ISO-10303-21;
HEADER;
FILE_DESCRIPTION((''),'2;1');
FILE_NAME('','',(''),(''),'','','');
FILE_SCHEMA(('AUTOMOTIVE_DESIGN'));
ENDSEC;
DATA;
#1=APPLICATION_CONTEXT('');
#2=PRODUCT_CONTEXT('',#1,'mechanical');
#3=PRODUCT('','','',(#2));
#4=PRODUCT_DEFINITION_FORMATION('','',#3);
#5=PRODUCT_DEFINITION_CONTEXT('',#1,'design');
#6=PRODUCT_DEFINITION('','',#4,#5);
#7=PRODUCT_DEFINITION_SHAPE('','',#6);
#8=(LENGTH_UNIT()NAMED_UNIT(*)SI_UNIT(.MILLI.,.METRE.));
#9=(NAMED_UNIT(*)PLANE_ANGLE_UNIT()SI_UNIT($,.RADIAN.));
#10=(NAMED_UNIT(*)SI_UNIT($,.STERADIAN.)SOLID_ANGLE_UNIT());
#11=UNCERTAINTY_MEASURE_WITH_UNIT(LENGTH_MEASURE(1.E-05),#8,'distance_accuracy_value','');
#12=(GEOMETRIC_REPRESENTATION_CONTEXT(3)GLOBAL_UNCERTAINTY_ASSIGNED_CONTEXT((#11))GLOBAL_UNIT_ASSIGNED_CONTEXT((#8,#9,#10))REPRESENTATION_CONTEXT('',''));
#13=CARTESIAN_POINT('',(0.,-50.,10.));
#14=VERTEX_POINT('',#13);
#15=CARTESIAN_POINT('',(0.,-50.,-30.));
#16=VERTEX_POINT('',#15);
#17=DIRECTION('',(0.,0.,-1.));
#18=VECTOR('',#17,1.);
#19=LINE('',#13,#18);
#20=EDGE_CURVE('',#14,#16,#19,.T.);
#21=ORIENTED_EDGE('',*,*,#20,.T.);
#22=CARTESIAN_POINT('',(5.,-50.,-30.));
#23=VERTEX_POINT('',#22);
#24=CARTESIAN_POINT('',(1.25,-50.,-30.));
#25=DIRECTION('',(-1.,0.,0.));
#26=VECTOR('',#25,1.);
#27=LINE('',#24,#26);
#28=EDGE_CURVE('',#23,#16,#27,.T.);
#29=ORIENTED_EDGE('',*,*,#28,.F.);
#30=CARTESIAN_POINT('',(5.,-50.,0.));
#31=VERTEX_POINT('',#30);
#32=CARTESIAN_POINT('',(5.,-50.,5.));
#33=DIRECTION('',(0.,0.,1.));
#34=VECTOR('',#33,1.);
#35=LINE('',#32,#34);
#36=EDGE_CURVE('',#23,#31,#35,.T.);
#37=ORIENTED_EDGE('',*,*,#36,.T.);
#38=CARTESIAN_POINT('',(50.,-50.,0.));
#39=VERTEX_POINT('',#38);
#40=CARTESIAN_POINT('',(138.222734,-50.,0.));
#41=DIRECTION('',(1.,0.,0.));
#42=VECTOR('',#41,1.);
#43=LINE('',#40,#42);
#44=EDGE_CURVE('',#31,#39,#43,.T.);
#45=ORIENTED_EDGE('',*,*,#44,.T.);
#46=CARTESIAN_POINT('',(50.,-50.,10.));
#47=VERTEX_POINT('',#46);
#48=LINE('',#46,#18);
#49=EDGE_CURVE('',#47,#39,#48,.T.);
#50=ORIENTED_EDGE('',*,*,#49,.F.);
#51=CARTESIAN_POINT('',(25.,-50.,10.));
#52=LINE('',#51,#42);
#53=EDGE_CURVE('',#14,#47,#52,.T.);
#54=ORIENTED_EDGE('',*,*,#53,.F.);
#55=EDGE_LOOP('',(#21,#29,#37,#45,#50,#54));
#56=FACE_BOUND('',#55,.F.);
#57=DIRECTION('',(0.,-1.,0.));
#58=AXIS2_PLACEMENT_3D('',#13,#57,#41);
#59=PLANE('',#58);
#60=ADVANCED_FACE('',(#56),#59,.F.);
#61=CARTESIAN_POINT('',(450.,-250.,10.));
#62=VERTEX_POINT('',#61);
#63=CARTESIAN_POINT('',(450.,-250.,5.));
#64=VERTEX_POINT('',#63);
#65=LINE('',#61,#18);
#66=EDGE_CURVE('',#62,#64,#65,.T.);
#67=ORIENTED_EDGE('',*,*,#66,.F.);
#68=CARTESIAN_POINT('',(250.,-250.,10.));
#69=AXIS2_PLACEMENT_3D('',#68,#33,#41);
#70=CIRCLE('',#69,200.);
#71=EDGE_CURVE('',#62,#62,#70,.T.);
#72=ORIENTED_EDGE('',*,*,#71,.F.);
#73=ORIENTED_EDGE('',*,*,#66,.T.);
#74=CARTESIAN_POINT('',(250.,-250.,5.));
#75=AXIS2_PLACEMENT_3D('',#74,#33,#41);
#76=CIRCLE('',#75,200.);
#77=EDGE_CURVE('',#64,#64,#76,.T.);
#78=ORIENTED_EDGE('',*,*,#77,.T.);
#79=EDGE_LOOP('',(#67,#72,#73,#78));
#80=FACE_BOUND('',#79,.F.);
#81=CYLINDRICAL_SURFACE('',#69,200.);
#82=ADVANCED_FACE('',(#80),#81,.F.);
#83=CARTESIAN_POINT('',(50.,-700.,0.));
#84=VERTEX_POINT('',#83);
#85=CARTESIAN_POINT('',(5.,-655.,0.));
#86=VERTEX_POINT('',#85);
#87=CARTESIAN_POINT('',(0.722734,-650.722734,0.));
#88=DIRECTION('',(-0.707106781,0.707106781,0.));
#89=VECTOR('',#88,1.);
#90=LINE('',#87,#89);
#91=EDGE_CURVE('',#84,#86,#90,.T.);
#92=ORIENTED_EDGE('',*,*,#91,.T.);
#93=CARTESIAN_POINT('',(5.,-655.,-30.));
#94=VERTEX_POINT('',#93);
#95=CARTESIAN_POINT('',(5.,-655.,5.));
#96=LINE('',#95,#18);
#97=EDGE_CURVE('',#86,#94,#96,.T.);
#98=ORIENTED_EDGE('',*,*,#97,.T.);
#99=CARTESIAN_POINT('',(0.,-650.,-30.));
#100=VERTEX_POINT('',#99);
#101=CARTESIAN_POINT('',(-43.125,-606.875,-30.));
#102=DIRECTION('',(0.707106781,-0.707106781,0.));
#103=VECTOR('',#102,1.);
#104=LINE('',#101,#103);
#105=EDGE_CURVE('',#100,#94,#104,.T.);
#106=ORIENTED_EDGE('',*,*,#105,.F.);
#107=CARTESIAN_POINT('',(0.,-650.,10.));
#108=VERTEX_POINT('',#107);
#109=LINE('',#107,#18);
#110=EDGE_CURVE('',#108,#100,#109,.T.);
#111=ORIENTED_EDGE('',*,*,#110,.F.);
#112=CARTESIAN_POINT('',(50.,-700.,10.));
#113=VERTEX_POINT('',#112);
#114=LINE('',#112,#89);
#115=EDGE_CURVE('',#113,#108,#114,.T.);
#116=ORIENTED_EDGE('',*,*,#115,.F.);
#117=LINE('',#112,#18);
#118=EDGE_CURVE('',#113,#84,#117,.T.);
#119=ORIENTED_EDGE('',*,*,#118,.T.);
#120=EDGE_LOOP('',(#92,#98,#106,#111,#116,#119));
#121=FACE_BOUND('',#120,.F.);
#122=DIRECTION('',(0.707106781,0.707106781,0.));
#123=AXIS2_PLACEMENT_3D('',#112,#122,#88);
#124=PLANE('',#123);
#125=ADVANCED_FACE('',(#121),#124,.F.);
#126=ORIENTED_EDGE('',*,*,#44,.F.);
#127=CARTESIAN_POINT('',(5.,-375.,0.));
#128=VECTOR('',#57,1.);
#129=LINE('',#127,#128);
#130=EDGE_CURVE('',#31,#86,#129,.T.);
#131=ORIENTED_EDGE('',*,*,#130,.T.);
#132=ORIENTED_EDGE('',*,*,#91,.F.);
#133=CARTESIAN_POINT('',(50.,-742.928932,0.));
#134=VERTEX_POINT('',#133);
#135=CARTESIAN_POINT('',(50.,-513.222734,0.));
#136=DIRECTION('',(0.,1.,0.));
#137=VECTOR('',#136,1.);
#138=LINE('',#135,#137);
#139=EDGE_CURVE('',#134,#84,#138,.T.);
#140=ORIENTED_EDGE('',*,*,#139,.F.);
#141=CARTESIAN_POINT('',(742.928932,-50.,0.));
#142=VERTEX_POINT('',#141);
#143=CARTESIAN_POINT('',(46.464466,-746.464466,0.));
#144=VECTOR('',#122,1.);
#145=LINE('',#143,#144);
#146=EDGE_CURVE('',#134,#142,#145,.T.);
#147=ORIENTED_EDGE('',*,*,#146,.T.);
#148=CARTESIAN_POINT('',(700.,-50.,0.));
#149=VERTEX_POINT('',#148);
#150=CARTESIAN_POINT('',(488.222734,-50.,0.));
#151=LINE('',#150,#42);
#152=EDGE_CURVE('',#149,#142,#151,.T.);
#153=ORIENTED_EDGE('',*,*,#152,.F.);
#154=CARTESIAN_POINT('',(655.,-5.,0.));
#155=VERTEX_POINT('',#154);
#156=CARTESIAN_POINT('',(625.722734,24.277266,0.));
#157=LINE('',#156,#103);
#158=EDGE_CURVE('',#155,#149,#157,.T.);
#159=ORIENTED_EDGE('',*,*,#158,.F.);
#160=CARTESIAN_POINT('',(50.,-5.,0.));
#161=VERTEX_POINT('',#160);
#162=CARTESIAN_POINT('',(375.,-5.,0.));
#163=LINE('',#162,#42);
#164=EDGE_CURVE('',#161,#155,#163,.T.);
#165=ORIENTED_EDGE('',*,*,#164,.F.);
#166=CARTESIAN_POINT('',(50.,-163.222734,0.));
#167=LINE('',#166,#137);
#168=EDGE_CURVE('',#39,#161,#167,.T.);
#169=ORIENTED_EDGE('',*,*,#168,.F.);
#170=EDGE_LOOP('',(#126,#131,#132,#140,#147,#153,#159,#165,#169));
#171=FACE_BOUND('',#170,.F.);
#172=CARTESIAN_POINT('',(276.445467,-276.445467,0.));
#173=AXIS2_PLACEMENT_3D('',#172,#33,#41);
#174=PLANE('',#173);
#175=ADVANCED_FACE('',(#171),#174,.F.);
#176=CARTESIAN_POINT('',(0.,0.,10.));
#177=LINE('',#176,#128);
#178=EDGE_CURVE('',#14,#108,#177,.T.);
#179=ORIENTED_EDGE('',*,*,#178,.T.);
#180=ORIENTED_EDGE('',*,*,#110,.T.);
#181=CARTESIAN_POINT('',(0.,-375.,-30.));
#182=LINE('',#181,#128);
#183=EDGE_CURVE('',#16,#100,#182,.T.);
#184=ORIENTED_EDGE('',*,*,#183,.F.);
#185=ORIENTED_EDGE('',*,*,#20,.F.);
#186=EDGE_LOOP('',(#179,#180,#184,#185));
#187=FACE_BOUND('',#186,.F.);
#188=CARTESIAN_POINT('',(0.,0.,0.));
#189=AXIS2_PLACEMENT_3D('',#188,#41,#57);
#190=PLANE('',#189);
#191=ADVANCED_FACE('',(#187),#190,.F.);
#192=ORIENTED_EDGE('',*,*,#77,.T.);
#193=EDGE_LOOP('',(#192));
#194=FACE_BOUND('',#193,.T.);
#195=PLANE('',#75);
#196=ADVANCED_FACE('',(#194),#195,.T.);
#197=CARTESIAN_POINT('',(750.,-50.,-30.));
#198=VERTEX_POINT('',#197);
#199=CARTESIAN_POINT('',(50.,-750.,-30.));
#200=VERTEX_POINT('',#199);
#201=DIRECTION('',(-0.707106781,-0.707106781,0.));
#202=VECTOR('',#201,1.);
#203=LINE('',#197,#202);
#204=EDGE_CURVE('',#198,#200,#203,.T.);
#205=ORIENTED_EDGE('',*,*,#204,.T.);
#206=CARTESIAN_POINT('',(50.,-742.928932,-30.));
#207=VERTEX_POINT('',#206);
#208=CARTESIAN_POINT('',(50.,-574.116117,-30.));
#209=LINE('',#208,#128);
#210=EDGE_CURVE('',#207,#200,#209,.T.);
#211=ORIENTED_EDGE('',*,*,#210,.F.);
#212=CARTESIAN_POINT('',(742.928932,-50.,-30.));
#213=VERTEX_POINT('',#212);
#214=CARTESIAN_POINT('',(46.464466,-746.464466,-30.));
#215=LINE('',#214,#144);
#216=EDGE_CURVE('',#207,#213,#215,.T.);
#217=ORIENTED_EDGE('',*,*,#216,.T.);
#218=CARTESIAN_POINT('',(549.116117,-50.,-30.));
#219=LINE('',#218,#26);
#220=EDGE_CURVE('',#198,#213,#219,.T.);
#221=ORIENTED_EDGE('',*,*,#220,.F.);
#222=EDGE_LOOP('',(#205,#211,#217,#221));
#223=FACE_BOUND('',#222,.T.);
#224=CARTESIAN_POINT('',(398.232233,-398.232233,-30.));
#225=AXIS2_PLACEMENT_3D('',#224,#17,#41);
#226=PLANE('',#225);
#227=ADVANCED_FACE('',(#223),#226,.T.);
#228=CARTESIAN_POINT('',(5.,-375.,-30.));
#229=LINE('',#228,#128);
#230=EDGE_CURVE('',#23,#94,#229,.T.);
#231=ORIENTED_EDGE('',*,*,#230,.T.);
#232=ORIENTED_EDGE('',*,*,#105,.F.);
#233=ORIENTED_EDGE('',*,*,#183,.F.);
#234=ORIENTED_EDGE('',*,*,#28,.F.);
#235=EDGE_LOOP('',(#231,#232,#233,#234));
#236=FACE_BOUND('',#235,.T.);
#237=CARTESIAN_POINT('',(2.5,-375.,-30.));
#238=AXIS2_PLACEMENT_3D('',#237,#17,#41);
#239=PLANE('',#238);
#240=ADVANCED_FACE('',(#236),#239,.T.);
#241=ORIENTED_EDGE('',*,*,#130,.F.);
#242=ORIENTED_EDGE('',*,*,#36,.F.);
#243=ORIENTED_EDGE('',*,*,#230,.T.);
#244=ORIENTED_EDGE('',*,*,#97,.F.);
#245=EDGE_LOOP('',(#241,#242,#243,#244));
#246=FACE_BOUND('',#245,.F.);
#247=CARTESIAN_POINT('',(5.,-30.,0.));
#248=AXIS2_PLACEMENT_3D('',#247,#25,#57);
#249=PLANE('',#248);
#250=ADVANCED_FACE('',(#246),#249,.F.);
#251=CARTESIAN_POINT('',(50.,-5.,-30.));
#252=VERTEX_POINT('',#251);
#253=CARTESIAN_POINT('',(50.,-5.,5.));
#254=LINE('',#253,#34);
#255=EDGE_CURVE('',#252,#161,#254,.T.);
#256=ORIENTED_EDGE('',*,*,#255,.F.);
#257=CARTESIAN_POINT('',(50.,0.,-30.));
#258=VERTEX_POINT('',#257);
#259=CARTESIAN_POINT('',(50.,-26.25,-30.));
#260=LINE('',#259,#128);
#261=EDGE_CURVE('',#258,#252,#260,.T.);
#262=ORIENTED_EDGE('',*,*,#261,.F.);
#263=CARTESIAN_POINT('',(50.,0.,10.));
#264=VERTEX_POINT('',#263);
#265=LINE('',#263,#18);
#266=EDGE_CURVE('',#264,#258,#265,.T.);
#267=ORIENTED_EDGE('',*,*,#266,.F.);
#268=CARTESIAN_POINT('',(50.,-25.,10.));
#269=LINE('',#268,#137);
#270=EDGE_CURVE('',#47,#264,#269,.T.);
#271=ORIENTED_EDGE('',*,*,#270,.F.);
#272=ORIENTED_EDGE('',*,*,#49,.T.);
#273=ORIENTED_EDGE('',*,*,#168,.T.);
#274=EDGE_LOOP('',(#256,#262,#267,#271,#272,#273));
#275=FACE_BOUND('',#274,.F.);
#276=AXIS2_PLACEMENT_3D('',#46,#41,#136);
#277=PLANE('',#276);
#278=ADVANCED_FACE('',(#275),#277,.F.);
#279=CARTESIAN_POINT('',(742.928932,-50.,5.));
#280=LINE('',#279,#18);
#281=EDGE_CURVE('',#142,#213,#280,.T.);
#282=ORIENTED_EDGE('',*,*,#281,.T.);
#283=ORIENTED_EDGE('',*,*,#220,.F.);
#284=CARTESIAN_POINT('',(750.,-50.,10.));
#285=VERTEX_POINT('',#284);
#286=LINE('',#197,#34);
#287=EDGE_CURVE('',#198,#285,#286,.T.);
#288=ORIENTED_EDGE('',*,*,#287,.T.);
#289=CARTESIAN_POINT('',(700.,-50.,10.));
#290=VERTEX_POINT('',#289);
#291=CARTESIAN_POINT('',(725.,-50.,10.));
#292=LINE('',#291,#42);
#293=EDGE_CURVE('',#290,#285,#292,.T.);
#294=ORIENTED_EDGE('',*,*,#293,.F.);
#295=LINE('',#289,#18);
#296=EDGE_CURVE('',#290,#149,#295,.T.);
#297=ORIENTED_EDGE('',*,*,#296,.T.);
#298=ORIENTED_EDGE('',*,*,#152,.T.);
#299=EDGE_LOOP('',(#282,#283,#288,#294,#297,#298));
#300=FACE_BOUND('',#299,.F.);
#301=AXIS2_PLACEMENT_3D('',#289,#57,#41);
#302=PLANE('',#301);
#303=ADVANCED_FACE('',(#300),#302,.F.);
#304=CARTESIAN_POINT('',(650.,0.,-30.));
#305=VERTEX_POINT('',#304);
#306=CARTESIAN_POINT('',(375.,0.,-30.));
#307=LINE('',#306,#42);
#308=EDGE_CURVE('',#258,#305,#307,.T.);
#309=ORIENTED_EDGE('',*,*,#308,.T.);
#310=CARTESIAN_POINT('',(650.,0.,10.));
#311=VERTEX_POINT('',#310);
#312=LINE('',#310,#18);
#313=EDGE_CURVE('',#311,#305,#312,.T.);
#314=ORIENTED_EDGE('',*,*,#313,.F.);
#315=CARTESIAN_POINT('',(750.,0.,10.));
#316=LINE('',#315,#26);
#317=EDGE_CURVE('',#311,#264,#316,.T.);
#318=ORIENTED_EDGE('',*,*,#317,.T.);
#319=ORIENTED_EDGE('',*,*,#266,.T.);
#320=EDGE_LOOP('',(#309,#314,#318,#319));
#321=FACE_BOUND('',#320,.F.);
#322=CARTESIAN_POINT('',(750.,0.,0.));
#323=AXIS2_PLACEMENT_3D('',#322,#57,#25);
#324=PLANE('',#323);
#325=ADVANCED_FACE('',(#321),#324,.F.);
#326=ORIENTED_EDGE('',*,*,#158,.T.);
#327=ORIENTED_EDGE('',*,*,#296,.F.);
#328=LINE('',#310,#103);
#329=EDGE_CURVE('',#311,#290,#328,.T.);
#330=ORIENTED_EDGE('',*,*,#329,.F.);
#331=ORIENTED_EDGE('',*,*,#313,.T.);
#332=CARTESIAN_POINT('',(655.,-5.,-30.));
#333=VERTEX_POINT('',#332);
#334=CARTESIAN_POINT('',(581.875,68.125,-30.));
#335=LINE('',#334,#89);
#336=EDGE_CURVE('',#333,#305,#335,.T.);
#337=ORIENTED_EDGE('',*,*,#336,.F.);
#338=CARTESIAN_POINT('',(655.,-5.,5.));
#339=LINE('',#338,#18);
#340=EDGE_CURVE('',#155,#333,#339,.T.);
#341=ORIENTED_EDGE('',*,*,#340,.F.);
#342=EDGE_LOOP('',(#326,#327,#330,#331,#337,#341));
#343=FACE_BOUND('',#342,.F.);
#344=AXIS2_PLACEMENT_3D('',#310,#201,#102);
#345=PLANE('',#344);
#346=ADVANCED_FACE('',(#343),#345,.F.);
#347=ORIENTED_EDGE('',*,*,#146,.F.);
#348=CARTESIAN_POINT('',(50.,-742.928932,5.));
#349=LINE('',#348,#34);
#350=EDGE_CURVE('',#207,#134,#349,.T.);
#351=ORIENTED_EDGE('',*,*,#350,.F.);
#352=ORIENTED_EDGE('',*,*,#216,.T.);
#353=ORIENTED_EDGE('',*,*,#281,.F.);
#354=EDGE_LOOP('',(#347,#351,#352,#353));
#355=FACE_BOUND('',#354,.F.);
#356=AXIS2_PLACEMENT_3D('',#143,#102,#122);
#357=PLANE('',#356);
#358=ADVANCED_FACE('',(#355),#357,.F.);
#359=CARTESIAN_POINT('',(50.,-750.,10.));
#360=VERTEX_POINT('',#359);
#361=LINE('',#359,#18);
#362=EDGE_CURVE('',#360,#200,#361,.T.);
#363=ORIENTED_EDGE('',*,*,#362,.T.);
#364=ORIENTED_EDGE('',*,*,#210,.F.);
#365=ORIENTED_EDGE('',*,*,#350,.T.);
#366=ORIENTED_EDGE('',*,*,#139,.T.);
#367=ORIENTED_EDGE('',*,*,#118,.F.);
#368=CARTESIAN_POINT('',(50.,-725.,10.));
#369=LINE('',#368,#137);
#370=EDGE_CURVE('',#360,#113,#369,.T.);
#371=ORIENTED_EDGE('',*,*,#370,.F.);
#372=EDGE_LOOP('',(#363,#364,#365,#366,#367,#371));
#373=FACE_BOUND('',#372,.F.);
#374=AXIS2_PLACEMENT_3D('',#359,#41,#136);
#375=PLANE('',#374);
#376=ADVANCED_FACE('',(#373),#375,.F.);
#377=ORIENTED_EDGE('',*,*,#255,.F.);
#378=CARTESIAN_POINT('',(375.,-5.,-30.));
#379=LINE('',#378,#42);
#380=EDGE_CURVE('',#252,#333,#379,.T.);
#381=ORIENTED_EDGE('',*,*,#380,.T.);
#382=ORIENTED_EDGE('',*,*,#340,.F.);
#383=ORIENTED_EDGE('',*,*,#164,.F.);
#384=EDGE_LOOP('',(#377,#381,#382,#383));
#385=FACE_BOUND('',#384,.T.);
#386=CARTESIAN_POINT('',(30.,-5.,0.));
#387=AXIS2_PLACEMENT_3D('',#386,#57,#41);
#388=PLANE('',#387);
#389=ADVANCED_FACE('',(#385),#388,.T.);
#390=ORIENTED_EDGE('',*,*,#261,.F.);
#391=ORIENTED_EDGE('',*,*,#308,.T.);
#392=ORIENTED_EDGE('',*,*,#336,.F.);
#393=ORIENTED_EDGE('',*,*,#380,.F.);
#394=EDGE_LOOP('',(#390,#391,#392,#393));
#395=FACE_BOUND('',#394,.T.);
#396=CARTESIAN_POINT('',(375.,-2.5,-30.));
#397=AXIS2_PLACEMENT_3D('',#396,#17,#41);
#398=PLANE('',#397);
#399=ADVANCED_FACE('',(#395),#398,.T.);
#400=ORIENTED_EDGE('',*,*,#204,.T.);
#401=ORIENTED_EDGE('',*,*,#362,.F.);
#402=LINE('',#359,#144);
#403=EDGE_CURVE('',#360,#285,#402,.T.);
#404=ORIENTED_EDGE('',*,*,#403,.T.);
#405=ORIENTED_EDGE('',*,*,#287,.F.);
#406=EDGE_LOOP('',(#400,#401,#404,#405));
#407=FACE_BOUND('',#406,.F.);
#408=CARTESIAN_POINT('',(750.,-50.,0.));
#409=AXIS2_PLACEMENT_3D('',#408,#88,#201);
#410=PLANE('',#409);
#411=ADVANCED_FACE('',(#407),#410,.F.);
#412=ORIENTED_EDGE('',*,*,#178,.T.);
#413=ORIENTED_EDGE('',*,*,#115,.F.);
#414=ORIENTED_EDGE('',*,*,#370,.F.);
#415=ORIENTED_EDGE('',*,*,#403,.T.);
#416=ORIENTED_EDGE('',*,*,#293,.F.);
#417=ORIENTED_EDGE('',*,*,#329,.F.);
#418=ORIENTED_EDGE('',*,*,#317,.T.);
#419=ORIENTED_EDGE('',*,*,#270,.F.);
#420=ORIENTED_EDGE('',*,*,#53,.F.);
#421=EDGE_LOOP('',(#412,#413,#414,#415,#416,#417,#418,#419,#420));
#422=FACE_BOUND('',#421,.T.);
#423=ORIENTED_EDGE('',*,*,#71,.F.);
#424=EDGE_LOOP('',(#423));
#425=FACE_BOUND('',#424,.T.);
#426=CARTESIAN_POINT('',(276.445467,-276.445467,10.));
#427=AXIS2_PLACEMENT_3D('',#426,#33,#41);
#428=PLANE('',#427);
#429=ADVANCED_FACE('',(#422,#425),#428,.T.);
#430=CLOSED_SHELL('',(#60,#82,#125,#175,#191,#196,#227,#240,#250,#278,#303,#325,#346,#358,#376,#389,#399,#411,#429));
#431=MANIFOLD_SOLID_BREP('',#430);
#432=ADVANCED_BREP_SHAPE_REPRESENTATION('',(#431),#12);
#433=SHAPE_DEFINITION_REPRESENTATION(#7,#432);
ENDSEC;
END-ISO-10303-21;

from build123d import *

# Parameters (mm, degrees)
F1_DEPTH  = 10
F2_R      = 5
F3_R      = 200
F4_DEPTH  = 5
F5_W      = 5
F5_H      = 690
F5_W_2    = 690
F5_H_2    = 5
F6_DEPTH  = 30
F7_W      = 50
F7_H      = 50
F8_DEPTH  = 40.001
F10_DEPTH = 40.001


with BuildPart() as f1:
    # F0 (on Top) → F1 (new body)
    with BuildSketch(Plane.XY):
        Polygon((750, 0), (0, 0), (0, -750), (50, -750), (750, -50), align=None)
    extrude(amount=F1_DEPTH)

    # F2
    f2_edges = [f1.edges().sort_by_distance(p)[0] for p in [
        (0, -750, 5),
        (750, 0, 5),
        (0, 0, 5),
    ]]
    fillet(f2_edges, radius=F2_R)

    # F3 (on face) → F4 (cut)
    with BuildSketch(Plane.XY.offset(10)):
        with Locations((250, -250)):
            Circle(F3_R)
    extrude(amount=-F4_DEPTH, mode=Mode.SUBTRACT)

    # F5 (on face) → F6 (join)
    with BuildSketch(Plane(origin=(0, 0, 0), x_dir=(1, 0, 0), z_dir=(0, 0, -1))):
        with Locations((2.5, 375)):
            Rectangle(F5_W, F5_H)
        with Locations((375, 2.5)):
            Rectangle(F5_W_2, F5_H_2)
        Polygon((750, 50), (50, 750), (46.4644660941, 746.4644660941), (746.4644660941, 46.4644660941), align=None)
    extrude(amount=F6_DEPTH)

    # F7 (on face) → F8 (cut, through all)
    with BuildSketch(Plane.XY.offset(10)):
        with Locations((25, -25)):
            Rectangle(F7_W, F7_H)
        with Locations((725, -25)):
            Rectangle(F7_W, F7_H)
        with Locations((25, -725)):
            Rectangle(F7_W, F7_H)
    extrude(amount=-F8_DEPTH, mode=Mode.SUBTRACT)

    # F9 (on face) → F10 (cut, through all)
    with BuildSketch(Plane.XY.offset(10)):
        Polygon((650, 0), (700, -50), (700, 0), align=None)
        Polygon((0, -650), (0, -700), (50, -700), align=None)
    extrude(amount=-F10_DEPTH, mode=Mode.SUBTRACT)


solid = f1.part
